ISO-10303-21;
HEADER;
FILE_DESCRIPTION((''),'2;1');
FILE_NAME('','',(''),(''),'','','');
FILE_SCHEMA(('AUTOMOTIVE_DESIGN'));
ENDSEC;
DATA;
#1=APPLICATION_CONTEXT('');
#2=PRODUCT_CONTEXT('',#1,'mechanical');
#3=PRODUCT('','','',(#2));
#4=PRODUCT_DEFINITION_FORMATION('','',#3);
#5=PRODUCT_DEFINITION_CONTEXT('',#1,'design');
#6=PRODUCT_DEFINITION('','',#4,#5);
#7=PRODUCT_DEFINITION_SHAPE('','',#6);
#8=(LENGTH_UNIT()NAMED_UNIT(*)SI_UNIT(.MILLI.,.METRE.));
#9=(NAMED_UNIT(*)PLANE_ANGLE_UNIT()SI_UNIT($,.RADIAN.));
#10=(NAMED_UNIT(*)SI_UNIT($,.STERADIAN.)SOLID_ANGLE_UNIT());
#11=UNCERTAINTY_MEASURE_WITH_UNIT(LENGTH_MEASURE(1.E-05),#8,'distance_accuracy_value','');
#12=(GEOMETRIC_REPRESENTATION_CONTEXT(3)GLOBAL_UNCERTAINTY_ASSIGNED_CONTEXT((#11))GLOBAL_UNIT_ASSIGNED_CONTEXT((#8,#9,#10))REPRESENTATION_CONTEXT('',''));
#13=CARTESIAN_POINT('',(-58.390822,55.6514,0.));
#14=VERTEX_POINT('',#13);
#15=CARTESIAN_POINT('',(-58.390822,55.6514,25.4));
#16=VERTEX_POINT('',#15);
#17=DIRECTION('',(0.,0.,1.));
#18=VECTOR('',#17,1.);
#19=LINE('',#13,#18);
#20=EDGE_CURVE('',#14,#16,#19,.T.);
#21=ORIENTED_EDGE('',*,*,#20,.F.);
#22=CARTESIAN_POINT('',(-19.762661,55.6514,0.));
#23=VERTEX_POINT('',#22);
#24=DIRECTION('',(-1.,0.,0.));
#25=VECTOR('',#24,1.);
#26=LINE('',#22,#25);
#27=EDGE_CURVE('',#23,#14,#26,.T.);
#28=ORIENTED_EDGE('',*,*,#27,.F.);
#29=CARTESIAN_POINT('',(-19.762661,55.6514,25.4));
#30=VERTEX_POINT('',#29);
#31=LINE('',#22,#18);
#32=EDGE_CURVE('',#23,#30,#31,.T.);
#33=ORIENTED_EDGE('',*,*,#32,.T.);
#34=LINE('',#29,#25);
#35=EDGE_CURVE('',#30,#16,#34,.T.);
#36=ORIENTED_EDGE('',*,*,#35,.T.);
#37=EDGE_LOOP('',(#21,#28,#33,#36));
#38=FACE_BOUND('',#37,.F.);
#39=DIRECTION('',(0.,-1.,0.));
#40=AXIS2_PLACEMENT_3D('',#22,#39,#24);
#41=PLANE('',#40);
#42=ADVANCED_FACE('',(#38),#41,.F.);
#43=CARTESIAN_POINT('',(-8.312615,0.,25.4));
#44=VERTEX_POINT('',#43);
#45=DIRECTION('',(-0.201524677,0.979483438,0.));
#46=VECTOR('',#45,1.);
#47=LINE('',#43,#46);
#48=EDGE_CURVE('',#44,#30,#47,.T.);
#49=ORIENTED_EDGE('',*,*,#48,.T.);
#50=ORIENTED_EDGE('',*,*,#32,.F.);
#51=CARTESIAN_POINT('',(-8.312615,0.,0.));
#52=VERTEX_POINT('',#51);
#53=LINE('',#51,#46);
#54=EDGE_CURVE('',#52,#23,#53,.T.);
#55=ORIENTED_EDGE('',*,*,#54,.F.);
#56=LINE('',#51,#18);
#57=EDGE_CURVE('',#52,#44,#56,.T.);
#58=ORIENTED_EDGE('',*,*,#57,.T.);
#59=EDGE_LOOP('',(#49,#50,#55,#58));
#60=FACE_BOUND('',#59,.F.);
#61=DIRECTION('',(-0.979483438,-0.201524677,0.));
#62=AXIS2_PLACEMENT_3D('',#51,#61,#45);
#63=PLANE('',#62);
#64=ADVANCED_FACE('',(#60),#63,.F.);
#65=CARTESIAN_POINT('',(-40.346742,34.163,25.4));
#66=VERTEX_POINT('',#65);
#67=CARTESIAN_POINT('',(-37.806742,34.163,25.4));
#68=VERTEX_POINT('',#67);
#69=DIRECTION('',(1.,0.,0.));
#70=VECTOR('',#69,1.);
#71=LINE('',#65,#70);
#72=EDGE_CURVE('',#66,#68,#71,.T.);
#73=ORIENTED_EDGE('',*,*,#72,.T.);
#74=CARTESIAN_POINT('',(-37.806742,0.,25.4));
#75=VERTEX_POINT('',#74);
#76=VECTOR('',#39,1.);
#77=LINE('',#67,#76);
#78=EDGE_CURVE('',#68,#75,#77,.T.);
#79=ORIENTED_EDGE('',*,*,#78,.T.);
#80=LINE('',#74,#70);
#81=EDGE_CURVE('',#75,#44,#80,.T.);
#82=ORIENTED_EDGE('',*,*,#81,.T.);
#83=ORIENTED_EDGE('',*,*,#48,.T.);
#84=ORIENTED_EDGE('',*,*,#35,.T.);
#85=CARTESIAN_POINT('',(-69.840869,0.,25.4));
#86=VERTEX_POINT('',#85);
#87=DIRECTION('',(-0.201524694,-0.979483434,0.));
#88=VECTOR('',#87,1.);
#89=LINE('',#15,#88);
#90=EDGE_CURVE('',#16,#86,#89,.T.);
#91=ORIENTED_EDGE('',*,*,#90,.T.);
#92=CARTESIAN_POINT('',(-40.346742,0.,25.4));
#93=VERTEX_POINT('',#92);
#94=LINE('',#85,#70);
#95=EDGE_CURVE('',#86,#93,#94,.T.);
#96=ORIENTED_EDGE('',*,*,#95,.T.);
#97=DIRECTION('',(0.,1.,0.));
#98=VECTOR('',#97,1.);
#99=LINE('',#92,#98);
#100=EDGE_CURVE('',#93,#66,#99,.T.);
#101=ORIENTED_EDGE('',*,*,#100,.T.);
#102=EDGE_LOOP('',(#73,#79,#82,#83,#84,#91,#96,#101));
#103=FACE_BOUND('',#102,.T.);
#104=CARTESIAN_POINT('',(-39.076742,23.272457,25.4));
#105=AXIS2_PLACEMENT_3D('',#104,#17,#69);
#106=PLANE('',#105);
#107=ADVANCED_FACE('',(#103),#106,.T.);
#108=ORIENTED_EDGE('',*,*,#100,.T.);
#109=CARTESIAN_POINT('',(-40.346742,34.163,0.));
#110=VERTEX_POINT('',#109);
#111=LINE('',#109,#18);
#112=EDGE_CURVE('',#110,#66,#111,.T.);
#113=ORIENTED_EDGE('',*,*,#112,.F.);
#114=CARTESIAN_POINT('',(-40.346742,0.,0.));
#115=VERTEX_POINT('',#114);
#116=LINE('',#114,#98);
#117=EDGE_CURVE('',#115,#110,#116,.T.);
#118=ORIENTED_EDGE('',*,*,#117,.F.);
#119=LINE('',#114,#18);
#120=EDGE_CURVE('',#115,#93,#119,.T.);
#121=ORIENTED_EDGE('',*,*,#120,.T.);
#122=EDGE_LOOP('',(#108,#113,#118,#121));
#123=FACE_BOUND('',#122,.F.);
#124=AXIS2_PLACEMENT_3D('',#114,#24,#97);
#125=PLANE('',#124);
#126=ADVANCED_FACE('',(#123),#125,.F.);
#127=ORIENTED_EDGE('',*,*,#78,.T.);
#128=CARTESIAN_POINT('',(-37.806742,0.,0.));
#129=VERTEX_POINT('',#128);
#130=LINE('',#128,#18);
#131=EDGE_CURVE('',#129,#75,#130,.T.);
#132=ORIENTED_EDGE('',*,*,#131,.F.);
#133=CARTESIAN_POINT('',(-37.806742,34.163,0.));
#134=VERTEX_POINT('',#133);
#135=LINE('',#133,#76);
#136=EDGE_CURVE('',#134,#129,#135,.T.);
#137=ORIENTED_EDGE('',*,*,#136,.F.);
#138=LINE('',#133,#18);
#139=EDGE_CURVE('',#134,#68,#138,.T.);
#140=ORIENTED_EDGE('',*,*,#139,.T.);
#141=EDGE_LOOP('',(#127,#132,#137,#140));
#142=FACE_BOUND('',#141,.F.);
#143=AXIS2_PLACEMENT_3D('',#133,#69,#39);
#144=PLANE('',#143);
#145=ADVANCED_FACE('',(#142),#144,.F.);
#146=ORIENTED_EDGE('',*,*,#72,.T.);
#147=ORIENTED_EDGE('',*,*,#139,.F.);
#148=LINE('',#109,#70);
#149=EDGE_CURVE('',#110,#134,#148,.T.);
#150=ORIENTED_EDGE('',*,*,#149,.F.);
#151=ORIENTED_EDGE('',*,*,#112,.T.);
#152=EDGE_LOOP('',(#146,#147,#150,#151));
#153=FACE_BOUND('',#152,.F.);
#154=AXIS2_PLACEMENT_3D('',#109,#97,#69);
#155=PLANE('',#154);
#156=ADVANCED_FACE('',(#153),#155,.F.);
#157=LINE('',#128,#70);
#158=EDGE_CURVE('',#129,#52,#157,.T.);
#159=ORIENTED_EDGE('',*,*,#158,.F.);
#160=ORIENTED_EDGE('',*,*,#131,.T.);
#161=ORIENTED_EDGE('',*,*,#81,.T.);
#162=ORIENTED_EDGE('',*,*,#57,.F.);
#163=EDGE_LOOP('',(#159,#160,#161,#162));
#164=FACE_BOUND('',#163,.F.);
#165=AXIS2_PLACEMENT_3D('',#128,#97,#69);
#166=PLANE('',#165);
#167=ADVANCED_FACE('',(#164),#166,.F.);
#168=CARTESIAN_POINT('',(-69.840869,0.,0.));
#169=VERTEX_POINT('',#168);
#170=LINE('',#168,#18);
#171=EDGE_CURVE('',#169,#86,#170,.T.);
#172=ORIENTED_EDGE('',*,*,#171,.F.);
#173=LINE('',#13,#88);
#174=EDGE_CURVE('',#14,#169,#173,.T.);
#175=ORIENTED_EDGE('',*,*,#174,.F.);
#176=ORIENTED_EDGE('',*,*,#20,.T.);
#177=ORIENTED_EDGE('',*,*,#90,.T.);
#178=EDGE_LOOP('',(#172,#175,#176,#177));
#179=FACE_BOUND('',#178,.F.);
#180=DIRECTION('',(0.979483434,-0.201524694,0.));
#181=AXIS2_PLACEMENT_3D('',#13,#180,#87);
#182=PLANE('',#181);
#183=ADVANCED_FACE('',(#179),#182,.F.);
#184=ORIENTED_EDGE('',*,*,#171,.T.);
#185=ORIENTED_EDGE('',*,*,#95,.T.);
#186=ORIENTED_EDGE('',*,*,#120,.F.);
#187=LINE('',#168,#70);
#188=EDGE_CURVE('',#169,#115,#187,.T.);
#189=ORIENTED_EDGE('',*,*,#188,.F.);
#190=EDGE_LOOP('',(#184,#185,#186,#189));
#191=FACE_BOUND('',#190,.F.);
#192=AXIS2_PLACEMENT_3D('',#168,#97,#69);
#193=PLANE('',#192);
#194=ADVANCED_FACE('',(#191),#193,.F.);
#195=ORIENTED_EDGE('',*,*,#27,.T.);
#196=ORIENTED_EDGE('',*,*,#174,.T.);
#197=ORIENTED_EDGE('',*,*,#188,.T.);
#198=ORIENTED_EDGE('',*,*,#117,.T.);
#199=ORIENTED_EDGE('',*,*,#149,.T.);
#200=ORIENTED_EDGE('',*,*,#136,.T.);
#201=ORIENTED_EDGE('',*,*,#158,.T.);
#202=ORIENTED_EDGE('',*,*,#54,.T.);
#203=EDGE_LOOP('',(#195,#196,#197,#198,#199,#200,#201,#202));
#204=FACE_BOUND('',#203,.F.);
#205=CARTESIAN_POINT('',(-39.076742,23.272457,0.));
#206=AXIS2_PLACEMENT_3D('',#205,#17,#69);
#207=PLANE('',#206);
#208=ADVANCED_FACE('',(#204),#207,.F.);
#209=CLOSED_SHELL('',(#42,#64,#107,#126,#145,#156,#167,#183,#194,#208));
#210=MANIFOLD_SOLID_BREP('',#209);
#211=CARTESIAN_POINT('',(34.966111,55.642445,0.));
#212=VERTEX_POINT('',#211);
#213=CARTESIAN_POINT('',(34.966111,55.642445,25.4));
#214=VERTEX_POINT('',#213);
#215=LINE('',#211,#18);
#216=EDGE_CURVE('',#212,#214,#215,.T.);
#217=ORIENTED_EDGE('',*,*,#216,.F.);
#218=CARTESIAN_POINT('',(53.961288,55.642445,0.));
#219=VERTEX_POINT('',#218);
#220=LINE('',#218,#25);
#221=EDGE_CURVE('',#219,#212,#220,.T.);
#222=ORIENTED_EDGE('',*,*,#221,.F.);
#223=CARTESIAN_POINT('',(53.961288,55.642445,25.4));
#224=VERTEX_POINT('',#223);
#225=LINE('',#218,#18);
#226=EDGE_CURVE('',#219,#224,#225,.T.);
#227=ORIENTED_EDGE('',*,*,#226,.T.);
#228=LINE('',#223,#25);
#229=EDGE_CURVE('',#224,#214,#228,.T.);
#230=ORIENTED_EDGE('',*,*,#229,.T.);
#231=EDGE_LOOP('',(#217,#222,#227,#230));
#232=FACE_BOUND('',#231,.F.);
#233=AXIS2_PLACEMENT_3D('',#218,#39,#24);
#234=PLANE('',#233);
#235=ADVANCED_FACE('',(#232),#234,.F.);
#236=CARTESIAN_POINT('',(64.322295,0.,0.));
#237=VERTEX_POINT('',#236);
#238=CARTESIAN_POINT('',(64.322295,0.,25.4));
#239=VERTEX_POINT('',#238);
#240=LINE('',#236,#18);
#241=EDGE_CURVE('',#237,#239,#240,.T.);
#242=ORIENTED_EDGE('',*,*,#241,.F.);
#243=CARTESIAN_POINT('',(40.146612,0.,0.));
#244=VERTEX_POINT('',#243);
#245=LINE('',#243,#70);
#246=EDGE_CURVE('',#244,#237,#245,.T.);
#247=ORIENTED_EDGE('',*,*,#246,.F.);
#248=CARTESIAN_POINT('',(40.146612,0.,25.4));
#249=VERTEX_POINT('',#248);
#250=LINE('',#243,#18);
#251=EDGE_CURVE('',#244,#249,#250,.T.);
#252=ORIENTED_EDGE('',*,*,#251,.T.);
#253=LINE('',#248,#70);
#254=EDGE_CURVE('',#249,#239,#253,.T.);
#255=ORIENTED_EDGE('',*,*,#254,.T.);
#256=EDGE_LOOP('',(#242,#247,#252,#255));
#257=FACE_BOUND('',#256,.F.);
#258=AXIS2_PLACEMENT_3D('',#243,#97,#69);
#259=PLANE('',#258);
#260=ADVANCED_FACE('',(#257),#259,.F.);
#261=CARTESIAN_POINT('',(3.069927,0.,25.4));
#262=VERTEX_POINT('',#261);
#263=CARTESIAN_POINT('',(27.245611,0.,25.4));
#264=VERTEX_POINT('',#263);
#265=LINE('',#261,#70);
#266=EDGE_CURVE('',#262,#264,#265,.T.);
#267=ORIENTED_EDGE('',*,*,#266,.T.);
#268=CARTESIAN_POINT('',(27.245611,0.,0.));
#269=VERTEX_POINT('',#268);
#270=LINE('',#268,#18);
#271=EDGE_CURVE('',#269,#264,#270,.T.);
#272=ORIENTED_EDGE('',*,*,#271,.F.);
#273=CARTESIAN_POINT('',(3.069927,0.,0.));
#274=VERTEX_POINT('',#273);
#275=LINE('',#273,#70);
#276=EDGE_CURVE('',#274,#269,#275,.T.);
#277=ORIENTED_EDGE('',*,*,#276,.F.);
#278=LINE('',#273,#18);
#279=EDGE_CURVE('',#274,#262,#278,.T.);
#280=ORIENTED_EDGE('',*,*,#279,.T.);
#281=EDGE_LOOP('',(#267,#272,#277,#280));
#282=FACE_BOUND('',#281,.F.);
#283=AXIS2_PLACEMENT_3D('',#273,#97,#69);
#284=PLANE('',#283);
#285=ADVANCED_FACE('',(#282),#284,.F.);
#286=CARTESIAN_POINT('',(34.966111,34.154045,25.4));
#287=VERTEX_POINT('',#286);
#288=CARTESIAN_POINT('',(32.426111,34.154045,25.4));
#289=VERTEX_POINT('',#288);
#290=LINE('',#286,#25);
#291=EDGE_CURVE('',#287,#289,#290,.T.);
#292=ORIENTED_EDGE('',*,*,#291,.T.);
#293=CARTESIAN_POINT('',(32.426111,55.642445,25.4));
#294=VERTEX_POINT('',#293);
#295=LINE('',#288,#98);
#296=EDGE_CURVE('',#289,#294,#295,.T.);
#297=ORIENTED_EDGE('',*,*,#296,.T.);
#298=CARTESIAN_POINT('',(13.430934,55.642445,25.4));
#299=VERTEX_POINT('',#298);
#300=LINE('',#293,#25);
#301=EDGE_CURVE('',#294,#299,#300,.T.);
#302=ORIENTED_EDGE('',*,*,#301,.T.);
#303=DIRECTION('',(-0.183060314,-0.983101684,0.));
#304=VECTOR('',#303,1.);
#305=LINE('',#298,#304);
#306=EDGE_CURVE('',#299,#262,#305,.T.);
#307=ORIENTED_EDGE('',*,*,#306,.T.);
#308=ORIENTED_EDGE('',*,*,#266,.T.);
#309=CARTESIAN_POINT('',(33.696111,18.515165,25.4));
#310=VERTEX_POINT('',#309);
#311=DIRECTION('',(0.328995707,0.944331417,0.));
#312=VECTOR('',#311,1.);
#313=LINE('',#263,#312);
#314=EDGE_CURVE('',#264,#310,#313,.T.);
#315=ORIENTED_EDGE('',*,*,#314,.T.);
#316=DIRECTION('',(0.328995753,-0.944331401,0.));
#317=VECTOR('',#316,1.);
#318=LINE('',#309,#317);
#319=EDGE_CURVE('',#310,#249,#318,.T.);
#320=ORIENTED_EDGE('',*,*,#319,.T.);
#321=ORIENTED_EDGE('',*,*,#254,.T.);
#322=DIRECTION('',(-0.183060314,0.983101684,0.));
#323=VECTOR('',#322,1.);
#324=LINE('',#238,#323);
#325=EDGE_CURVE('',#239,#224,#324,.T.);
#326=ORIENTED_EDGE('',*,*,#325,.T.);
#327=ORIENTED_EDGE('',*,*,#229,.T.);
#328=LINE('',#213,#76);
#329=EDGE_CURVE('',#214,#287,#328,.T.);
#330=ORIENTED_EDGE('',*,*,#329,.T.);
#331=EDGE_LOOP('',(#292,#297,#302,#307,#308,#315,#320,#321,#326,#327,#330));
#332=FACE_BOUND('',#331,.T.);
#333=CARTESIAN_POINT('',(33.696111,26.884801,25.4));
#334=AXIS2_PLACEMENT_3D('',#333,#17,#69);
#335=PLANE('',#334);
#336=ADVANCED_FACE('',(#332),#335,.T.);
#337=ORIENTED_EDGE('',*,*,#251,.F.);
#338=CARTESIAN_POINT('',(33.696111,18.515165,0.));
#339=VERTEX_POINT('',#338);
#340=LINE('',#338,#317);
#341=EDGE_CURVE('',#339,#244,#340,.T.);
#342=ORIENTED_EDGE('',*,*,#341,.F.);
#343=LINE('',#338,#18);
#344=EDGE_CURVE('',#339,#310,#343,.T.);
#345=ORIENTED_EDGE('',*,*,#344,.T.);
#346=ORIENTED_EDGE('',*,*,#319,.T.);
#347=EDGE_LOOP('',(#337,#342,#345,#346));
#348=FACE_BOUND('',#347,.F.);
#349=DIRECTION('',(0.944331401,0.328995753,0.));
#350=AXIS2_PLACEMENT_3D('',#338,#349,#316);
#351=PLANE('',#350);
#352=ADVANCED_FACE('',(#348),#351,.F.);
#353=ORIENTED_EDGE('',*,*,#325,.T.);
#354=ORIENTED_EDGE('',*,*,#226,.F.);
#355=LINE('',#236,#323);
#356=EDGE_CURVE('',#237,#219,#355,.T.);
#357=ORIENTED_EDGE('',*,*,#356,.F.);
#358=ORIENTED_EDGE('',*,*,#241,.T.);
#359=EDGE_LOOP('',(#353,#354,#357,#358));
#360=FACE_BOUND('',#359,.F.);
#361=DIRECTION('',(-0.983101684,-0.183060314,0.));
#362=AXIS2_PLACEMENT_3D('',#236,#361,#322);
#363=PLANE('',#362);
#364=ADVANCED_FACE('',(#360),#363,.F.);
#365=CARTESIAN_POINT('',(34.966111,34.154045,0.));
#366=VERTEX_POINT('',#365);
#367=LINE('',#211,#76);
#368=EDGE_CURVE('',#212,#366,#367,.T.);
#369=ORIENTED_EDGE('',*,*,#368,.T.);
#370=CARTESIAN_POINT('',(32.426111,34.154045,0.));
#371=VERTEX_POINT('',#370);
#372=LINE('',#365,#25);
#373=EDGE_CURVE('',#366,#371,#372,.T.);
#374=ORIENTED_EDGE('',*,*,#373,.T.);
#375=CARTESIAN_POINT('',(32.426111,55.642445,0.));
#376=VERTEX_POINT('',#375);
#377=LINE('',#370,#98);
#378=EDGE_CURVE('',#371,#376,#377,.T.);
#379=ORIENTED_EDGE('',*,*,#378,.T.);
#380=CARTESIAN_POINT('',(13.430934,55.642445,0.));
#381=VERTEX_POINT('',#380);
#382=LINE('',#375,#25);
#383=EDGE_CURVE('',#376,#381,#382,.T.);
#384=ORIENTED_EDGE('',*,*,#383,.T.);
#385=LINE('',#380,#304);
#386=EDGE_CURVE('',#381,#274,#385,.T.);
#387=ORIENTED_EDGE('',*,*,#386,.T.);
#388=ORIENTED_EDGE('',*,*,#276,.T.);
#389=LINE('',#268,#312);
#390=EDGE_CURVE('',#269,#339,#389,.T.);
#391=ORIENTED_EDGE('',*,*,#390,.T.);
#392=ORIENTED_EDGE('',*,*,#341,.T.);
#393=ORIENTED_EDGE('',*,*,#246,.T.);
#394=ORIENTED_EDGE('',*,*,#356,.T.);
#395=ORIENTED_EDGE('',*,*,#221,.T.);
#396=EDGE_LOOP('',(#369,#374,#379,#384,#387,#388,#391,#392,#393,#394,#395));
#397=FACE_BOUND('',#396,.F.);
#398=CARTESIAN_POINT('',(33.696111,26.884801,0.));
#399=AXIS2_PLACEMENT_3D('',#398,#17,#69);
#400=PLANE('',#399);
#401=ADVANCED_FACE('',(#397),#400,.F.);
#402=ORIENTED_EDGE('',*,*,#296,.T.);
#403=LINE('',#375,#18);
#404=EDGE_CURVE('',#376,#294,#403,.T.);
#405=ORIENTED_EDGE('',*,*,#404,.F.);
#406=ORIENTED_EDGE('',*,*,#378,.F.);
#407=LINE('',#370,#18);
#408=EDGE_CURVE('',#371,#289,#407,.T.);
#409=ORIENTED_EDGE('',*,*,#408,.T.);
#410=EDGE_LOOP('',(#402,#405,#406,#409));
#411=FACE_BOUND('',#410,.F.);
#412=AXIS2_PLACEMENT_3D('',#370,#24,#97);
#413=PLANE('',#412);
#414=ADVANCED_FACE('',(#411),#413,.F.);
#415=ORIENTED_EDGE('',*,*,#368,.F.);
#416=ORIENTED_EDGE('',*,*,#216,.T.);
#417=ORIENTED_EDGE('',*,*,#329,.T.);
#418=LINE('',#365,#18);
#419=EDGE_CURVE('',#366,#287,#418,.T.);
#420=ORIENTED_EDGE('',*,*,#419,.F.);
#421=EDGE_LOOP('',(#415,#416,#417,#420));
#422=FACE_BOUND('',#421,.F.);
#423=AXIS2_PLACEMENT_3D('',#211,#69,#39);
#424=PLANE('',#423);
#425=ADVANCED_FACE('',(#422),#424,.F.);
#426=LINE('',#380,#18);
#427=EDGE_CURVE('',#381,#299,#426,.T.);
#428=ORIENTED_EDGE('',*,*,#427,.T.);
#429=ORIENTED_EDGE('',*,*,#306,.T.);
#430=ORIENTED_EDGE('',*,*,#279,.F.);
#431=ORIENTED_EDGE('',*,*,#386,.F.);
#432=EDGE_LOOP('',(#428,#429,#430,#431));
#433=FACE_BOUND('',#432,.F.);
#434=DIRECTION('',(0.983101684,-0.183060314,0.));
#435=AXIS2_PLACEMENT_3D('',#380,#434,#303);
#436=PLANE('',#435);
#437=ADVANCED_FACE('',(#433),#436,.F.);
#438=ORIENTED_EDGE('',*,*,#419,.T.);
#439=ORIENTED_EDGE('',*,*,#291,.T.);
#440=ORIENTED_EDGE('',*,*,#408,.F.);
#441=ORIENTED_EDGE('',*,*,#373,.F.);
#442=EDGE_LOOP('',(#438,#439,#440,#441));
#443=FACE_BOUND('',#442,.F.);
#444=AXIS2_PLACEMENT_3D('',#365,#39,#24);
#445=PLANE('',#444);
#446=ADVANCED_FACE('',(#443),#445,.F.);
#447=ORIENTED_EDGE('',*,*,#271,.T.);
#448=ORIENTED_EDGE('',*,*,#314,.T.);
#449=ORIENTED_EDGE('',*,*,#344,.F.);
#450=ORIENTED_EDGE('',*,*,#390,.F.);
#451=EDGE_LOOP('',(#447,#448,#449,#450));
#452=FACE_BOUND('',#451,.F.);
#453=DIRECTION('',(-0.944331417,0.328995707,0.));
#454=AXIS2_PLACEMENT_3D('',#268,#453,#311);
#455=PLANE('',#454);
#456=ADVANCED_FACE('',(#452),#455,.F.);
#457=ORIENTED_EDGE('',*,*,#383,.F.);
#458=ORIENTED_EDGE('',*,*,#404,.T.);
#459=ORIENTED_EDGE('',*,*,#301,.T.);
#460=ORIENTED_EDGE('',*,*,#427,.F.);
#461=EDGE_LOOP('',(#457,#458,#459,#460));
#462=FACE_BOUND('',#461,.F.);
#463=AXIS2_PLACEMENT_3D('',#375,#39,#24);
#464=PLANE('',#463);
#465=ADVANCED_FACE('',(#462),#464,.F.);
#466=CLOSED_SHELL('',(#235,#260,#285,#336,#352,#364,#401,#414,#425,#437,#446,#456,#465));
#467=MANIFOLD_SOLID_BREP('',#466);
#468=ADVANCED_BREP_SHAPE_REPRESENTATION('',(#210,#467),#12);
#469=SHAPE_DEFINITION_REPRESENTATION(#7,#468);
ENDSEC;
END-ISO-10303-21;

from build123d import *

# Parameters (mm, degrees)
F1_DEPTH = 25.4


with BuildPart() as f1:
    # F0 (on Top) → F1 (new body)
    with BuildSketch(Plane.XY):
        Polygon((-8.312615, 0), (-19.762661, 55.6514), (-58.390822, 55.6514), (-69.840869, 0), (-40.346742, 0), (-40.346742, 34.163), (-37.806742, 34.163), (-37.806742, 0), align=None)
        Polygon((13.430934, 55.642445), (3.069927, 0), (27.245611, 0), (33.696111, 18.515165), (40.146612, 0), (64.322295, 0), (53.961288, 55.642445), (34.966111, 55.642445), (34.966111, 34.154045), (32.426111, 34.154045), (32.426111, 55.642445), align=None)
    extrude(amount=F1_DEPTH)


solid = f1.part
